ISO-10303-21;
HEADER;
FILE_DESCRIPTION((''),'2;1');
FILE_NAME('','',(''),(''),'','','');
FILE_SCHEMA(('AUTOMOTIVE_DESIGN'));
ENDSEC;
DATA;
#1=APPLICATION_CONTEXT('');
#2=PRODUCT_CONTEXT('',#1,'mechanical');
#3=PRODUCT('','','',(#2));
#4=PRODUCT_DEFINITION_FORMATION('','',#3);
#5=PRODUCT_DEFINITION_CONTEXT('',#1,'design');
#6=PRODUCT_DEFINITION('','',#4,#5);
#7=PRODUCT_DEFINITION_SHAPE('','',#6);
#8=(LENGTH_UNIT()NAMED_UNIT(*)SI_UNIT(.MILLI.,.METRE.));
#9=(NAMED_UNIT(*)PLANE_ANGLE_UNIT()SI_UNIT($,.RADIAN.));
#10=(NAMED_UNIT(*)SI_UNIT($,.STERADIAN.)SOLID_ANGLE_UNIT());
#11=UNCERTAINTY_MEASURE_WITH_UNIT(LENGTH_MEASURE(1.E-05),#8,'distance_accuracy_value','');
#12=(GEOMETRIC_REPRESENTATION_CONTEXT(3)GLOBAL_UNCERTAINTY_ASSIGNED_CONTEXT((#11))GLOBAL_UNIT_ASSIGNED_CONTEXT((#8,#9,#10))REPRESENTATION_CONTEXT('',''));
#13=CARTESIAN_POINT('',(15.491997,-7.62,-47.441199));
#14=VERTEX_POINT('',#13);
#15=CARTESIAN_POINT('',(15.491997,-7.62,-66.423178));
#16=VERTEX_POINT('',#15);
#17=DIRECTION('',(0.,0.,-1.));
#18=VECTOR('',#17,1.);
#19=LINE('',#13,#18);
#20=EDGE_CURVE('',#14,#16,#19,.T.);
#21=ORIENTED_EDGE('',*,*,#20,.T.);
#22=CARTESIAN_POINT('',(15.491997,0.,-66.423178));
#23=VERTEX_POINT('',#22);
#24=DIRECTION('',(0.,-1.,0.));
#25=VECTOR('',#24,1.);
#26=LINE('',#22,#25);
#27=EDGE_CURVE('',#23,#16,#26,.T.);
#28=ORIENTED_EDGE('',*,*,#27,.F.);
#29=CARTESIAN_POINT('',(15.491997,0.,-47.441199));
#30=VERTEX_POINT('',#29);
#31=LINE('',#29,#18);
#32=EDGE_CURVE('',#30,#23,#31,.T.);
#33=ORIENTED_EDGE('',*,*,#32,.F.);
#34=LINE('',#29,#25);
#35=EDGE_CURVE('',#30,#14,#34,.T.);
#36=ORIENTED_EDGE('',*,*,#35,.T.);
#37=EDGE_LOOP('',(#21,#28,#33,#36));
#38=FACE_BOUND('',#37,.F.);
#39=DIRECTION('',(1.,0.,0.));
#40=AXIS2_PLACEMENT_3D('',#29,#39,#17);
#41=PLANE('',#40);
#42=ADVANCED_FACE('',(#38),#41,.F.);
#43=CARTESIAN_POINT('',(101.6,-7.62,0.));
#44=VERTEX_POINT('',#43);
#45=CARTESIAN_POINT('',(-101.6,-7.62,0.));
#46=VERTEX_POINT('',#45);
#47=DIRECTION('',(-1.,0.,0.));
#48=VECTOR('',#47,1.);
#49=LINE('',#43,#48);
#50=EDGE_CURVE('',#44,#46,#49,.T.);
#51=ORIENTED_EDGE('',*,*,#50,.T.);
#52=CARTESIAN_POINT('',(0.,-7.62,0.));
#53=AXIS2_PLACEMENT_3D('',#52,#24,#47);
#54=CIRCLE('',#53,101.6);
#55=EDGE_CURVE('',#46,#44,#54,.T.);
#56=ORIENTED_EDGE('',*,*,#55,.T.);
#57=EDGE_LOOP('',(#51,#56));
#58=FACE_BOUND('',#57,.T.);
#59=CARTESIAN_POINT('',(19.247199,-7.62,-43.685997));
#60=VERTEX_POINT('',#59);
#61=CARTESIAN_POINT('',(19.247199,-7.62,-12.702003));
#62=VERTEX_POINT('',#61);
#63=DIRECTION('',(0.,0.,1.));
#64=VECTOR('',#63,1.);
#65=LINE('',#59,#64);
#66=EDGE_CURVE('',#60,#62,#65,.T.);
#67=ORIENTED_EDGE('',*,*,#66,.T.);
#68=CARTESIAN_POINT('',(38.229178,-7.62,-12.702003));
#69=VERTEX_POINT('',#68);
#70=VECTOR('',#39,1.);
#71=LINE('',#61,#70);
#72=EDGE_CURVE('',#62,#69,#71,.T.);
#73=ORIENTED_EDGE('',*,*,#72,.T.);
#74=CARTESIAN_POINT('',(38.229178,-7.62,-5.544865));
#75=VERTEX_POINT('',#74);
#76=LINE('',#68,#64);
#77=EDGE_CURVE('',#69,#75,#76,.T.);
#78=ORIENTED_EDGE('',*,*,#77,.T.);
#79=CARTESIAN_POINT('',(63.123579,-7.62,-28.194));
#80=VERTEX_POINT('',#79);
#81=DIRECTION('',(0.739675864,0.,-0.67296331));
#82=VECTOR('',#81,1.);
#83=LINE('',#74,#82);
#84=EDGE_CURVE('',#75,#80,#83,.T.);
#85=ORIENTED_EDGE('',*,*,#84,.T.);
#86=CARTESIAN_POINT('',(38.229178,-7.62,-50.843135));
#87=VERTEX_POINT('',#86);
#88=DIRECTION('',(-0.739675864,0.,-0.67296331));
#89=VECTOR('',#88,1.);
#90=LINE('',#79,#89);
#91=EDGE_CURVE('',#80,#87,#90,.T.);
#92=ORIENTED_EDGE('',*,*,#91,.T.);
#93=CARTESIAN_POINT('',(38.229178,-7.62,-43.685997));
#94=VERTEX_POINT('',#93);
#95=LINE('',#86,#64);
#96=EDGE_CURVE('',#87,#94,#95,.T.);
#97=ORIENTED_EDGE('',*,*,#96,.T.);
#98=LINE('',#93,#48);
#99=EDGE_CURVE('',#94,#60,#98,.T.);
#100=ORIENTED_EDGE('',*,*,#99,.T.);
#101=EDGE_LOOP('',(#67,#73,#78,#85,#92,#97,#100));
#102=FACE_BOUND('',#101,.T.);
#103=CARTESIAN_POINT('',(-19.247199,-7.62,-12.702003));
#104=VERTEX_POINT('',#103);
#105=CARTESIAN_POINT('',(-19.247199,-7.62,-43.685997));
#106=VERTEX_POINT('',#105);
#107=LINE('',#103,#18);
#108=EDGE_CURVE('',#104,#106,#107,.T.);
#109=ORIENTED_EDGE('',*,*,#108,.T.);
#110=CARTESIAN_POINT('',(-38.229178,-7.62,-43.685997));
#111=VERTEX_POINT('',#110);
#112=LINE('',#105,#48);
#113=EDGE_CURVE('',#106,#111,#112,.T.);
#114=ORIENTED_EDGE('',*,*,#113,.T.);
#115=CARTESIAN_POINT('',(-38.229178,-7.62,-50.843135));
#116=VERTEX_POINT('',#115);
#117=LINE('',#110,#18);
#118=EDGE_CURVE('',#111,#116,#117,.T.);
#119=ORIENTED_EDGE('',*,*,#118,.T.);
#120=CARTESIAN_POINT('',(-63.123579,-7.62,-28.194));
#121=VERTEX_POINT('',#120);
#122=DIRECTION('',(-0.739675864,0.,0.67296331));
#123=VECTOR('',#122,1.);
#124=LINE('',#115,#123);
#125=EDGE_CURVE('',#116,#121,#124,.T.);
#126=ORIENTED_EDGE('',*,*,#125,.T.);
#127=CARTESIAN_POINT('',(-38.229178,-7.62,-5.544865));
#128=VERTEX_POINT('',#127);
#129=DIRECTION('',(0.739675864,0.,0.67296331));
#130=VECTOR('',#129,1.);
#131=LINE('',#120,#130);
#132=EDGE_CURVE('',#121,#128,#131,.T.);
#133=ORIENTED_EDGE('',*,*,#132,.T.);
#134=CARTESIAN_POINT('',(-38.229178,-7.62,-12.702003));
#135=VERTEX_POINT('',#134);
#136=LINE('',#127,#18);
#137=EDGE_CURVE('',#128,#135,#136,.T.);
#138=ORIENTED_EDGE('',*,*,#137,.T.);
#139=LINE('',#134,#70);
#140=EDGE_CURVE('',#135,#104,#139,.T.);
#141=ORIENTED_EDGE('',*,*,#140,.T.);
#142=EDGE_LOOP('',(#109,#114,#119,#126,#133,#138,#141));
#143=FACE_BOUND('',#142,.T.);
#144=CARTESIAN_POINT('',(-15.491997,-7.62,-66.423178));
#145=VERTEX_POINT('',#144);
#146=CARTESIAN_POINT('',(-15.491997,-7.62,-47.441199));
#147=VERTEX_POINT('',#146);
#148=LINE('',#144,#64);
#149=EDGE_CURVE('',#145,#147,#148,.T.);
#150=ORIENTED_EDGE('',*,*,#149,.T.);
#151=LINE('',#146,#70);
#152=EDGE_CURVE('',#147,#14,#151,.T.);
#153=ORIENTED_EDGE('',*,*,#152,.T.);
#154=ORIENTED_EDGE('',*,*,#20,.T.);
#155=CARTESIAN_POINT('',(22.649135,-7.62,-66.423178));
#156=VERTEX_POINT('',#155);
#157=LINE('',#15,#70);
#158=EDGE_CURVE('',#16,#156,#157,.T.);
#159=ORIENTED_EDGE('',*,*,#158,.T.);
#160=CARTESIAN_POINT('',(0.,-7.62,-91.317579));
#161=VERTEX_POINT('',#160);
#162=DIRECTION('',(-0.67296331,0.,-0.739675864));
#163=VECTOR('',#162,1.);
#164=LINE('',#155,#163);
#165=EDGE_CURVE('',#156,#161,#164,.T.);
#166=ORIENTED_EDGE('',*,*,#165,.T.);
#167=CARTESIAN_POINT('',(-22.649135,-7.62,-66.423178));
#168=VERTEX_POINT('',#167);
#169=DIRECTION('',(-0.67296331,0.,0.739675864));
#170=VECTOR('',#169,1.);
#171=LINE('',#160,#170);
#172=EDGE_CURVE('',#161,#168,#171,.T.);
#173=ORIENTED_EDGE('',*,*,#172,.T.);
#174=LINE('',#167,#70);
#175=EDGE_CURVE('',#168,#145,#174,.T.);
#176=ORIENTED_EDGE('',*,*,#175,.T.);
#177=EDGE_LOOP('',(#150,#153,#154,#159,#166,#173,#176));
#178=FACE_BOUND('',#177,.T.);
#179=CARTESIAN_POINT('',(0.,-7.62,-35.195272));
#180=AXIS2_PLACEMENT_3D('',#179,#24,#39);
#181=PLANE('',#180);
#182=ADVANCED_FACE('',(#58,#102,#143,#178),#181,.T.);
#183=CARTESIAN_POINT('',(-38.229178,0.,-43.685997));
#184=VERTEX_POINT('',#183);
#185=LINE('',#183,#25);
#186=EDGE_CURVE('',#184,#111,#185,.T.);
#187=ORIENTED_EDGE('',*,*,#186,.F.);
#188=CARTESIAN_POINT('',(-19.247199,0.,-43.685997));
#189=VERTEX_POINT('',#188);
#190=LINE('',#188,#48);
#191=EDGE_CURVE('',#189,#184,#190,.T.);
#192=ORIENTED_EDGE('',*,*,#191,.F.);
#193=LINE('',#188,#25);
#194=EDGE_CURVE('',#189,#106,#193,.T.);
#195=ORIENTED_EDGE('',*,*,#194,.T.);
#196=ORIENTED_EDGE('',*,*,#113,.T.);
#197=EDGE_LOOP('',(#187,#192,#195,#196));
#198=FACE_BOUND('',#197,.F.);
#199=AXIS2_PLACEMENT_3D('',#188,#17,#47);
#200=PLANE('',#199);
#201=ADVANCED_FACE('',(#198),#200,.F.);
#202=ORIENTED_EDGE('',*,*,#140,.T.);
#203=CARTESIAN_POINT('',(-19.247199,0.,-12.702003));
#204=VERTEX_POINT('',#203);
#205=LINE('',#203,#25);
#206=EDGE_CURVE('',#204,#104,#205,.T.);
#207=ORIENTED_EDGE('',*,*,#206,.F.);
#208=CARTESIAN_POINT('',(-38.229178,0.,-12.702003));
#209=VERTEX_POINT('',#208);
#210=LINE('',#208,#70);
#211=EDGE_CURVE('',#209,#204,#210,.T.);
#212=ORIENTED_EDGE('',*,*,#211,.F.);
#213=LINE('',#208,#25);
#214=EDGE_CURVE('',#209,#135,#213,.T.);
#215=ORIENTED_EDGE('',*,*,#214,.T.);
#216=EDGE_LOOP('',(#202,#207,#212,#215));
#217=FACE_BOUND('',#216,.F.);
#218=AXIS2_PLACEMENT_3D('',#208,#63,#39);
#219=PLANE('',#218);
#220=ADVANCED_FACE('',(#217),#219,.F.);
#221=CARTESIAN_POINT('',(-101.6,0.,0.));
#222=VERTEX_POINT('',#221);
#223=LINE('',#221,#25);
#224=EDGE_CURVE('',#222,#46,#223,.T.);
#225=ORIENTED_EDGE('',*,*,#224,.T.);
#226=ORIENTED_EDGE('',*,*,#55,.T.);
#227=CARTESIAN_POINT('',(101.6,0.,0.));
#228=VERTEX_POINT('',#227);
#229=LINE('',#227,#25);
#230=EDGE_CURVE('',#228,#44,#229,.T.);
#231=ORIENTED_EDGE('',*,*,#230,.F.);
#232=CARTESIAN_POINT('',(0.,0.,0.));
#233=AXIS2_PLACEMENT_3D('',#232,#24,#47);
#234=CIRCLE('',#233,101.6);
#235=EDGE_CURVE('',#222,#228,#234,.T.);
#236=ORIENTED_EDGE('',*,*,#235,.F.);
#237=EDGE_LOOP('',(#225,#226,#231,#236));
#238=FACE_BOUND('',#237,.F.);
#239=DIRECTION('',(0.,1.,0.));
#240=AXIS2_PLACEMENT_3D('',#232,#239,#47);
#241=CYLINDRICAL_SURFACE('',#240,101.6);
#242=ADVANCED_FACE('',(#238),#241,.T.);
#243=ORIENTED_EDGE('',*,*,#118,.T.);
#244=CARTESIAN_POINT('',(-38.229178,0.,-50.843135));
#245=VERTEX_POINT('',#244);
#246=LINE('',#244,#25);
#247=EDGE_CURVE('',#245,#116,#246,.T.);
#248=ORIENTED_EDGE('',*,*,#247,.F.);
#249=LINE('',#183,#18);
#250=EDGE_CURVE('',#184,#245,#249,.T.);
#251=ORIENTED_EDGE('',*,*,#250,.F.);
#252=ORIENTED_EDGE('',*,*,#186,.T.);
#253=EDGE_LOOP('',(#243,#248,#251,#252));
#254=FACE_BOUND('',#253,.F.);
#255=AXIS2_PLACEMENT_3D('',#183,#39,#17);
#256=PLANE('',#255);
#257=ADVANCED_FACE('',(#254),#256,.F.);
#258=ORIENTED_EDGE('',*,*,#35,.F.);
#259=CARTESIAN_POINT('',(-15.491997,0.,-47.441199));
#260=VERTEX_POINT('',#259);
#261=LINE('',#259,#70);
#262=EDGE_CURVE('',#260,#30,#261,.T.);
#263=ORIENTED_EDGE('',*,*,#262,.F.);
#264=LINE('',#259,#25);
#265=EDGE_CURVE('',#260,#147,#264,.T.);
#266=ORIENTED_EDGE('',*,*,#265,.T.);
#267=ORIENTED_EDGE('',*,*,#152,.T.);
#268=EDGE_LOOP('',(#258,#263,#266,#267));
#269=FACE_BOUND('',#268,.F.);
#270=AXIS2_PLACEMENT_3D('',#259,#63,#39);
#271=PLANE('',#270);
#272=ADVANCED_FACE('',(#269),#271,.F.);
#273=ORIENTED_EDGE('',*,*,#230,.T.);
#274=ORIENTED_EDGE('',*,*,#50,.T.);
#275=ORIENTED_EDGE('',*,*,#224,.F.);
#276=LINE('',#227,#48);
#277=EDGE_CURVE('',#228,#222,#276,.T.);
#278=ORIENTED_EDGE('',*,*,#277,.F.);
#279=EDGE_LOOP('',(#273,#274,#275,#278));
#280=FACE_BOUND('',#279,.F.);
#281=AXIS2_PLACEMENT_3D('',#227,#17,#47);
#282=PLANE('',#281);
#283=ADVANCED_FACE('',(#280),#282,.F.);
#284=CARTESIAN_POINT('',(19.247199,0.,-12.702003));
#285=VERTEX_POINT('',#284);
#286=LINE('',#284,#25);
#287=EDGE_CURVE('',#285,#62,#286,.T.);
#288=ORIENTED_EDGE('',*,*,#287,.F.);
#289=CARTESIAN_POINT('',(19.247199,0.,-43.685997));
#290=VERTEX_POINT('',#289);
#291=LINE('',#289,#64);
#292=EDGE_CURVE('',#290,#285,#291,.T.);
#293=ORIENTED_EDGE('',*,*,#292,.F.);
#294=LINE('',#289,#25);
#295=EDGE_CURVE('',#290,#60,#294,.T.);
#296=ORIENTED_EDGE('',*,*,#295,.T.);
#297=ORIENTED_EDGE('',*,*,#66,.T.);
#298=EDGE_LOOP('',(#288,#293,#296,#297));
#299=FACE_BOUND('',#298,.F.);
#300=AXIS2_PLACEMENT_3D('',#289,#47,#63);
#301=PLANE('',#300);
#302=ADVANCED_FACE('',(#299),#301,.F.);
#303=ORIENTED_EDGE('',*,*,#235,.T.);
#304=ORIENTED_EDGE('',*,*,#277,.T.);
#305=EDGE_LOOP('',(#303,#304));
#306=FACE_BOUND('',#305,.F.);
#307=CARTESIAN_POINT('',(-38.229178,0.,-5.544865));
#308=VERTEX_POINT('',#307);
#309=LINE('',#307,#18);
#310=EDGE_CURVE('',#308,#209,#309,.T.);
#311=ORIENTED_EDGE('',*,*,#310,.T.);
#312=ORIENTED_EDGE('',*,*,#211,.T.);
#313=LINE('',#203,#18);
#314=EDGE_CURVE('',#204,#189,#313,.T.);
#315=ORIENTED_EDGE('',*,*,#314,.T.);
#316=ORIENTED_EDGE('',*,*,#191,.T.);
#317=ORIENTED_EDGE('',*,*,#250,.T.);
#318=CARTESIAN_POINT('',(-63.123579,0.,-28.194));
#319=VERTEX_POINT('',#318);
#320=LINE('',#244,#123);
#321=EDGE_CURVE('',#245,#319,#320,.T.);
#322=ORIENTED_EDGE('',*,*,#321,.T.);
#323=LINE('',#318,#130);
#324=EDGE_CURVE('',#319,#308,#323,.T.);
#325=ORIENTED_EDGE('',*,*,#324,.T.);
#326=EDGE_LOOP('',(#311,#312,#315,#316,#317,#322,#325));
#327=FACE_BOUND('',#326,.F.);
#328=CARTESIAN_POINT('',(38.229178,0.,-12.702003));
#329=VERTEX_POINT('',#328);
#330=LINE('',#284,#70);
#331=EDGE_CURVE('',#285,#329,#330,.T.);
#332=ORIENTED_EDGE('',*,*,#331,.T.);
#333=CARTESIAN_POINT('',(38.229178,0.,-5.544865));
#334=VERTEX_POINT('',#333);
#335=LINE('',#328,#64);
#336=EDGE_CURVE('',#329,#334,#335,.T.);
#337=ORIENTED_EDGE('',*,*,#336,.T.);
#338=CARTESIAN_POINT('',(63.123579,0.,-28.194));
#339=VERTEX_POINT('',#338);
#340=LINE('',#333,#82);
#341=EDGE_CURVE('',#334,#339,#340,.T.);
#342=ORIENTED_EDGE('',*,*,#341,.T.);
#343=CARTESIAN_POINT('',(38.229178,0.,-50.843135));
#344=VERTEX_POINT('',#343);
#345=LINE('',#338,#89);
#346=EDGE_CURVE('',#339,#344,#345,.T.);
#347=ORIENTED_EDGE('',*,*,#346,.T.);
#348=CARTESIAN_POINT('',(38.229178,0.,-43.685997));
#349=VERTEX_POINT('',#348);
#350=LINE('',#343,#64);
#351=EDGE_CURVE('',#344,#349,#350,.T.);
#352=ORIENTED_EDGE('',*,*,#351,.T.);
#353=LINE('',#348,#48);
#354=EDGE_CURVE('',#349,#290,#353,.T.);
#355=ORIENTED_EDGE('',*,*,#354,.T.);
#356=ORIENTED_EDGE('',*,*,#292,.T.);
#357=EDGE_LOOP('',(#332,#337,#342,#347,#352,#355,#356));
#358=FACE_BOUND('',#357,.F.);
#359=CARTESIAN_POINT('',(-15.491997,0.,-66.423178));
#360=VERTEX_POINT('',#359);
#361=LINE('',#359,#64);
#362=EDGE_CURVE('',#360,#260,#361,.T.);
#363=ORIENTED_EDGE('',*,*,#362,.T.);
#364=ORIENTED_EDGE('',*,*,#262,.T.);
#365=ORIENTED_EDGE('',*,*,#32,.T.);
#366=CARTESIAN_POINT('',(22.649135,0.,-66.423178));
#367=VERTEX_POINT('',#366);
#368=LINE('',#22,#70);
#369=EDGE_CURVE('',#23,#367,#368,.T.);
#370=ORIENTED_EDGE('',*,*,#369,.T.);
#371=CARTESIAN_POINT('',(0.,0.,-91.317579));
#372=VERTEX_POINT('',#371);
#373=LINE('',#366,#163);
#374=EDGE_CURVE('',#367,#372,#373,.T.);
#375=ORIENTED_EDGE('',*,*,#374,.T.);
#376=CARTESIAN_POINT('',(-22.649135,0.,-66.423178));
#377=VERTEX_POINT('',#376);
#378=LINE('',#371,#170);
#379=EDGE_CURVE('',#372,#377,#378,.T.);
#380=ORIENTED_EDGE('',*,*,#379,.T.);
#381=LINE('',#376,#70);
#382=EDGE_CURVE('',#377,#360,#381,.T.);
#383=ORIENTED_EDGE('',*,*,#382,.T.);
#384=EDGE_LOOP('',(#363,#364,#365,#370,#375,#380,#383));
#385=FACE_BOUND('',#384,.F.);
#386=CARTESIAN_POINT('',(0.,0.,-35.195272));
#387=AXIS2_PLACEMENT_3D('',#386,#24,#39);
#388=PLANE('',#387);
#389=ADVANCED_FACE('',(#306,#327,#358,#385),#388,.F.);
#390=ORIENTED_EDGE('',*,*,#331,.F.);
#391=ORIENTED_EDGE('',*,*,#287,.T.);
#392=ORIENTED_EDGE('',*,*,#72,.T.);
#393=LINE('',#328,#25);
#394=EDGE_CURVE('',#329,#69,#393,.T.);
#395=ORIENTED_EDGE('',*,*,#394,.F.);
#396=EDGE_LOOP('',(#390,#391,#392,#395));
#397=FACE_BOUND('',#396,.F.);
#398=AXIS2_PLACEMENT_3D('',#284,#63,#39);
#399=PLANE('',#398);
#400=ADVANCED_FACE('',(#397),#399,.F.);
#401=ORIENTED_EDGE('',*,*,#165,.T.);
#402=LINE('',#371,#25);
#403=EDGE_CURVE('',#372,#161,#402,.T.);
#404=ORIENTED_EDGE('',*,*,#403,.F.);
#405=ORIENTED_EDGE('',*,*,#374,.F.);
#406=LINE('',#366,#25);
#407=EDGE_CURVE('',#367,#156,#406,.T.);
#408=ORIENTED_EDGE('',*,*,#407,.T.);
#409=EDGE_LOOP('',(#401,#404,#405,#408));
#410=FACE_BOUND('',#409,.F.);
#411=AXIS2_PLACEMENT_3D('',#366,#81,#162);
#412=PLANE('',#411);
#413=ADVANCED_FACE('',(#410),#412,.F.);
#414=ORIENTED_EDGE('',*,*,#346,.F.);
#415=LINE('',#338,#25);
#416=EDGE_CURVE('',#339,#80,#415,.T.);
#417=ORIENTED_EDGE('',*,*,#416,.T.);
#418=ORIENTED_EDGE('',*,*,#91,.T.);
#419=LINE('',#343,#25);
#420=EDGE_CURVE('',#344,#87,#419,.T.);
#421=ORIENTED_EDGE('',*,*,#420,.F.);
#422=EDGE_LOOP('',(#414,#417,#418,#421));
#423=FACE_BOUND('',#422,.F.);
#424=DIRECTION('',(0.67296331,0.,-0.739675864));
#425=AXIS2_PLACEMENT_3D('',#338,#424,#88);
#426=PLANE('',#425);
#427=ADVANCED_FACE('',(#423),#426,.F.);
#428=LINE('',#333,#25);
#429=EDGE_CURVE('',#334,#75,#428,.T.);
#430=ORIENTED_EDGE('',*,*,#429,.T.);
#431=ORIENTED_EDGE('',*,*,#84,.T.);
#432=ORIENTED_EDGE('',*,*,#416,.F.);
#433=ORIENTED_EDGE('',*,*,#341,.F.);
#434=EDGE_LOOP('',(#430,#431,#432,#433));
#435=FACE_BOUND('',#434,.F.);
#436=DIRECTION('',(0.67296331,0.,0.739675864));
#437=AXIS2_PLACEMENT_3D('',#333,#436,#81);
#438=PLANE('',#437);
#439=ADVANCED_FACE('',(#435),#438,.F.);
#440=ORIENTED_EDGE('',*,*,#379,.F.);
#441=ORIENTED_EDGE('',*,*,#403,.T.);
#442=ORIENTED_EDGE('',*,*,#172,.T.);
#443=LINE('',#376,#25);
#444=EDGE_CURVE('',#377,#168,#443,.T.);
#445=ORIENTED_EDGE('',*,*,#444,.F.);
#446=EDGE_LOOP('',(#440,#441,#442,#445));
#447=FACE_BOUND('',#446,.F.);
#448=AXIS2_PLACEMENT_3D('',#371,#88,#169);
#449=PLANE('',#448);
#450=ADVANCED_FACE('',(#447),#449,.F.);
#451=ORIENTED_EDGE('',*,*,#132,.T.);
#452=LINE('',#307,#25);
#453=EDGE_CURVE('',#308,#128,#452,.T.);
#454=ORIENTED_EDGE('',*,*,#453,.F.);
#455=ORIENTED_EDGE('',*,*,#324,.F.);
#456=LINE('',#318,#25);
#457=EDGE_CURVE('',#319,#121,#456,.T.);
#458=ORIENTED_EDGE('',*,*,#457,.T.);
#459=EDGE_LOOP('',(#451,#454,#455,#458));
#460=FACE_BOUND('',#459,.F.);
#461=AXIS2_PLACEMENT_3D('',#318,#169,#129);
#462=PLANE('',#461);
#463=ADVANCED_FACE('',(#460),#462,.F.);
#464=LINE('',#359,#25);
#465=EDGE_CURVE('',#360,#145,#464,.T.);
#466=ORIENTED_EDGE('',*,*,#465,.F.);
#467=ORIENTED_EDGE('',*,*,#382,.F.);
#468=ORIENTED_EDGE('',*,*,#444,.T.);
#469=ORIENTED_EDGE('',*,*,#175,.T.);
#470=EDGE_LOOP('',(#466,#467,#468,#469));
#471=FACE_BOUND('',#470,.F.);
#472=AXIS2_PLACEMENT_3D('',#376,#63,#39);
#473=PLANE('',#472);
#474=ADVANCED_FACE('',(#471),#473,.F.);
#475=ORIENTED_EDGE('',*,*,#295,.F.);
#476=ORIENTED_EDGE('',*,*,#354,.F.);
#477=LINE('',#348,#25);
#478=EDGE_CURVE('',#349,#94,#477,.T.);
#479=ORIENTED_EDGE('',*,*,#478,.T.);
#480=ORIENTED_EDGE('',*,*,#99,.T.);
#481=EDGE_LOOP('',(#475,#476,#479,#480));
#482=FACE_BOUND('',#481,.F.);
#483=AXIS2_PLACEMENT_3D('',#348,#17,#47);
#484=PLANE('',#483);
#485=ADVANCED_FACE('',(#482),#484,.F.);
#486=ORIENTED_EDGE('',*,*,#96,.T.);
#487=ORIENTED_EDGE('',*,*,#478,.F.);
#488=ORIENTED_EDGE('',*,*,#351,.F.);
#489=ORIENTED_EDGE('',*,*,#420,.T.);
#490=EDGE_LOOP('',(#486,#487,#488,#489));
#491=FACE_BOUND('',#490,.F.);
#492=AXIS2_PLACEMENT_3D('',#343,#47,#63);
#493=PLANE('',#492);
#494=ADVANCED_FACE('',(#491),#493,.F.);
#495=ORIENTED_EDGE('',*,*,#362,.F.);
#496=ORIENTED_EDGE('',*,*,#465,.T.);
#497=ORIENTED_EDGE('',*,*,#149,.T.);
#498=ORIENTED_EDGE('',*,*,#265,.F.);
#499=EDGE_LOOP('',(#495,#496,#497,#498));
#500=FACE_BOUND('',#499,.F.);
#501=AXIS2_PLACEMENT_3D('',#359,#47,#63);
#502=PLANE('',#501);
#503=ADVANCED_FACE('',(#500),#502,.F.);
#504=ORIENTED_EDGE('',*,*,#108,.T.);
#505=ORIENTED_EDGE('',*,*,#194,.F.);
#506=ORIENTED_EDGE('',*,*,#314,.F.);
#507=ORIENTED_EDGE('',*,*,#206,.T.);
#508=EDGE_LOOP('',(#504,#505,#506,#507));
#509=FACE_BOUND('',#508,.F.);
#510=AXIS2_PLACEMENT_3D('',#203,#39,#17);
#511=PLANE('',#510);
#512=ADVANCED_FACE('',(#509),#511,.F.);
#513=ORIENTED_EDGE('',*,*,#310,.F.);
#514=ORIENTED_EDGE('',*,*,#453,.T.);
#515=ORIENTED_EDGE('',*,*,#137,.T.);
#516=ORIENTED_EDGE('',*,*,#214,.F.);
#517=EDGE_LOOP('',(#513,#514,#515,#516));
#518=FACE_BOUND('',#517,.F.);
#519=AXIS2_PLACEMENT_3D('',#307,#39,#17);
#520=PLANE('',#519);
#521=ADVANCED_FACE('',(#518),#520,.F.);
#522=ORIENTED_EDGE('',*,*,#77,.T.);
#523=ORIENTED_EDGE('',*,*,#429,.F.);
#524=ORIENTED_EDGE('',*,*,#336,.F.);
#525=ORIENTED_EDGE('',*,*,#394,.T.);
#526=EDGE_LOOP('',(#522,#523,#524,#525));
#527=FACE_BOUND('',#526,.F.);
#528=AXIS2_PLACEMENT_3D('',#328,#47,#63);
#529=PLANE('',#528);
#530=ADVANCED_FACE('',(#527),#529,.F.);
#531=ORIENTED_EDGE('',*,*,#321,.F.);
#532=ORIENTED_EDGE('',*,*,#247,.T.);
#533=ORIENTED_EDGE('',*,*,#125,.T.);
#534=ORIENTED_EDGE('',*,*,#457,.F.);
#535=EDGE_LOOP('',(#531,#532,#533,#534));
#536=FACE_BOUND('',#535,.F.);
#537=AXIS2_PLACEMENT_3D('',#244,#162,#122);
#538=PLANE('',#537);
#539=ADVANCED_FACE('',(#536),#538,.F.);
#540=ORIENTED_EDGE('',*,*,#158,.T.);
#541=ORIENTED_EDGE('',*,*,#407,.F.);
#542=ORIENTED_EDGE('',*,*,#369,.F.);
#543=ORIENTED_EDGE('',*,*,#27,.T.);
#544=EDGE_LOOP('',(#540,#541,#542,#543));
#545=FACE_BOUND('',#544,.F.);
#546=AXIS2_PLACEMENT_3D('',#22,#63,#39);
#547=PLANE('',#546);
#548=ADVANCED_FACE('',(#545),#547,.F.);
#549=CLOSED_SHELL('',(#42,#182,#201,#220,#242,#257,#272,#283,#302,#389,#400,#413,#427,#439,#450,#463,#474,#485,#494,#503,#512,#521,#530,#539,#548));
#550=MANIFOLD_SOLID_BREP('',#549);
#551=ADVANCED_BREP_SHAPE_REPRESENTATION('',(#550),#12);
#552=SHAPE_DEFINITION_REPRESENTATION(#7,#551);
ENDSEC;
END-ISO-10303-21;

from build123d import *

# Parameters (mm, degrees)
F1_DEPTH = 7.62


with BuildPart() as f1:
    # F0 (on Front) → F1 (new body)
    with BuildSketch(Plane.XZ):
        with BuildLine():
            Line((101.6, 0), (0, 0))
            Line((0, 0), (-101.6, 0))
            ThreePointArc((-101.6, 0), (0, -101.6), (101.6, 0))
        make_face()
        Polygon((22.649135, -66.423178), (0, -91.317579), (-22.649135, -66.423178), (-15.491997, -66.423178), (-15.491997, -47.441199), (0, -47.441199), (15.491997, -47.441199), (15.491997, -66.423178), align=None, mode=Mode.SUBTRACT)
        Polygon((-19.247199, -28.194), (-19.247199, -43.685997), (-38.229178, -43.685997), (-38.229178, -50.843135), (-63.123579, -28.194), (-38.229178, -5.544865), (-38.229178, -12.702003), (-19.247199, -12.702003), align=None, mode=Mode.SUBTRACT)
        Polygon((19.247199, -28.194), (19.247199, -12.702003), (38.229178, -12.702003), (38.229178, -5.544865), (63.123579, -28.194), (38.229178, -50.843135), (38.229178, -43.685997), (19.247199, -43.685997), align=None, mode=Mode.SUBTRACT)
    extrude(amount=F1_DEPTH)


solid = f1.part
